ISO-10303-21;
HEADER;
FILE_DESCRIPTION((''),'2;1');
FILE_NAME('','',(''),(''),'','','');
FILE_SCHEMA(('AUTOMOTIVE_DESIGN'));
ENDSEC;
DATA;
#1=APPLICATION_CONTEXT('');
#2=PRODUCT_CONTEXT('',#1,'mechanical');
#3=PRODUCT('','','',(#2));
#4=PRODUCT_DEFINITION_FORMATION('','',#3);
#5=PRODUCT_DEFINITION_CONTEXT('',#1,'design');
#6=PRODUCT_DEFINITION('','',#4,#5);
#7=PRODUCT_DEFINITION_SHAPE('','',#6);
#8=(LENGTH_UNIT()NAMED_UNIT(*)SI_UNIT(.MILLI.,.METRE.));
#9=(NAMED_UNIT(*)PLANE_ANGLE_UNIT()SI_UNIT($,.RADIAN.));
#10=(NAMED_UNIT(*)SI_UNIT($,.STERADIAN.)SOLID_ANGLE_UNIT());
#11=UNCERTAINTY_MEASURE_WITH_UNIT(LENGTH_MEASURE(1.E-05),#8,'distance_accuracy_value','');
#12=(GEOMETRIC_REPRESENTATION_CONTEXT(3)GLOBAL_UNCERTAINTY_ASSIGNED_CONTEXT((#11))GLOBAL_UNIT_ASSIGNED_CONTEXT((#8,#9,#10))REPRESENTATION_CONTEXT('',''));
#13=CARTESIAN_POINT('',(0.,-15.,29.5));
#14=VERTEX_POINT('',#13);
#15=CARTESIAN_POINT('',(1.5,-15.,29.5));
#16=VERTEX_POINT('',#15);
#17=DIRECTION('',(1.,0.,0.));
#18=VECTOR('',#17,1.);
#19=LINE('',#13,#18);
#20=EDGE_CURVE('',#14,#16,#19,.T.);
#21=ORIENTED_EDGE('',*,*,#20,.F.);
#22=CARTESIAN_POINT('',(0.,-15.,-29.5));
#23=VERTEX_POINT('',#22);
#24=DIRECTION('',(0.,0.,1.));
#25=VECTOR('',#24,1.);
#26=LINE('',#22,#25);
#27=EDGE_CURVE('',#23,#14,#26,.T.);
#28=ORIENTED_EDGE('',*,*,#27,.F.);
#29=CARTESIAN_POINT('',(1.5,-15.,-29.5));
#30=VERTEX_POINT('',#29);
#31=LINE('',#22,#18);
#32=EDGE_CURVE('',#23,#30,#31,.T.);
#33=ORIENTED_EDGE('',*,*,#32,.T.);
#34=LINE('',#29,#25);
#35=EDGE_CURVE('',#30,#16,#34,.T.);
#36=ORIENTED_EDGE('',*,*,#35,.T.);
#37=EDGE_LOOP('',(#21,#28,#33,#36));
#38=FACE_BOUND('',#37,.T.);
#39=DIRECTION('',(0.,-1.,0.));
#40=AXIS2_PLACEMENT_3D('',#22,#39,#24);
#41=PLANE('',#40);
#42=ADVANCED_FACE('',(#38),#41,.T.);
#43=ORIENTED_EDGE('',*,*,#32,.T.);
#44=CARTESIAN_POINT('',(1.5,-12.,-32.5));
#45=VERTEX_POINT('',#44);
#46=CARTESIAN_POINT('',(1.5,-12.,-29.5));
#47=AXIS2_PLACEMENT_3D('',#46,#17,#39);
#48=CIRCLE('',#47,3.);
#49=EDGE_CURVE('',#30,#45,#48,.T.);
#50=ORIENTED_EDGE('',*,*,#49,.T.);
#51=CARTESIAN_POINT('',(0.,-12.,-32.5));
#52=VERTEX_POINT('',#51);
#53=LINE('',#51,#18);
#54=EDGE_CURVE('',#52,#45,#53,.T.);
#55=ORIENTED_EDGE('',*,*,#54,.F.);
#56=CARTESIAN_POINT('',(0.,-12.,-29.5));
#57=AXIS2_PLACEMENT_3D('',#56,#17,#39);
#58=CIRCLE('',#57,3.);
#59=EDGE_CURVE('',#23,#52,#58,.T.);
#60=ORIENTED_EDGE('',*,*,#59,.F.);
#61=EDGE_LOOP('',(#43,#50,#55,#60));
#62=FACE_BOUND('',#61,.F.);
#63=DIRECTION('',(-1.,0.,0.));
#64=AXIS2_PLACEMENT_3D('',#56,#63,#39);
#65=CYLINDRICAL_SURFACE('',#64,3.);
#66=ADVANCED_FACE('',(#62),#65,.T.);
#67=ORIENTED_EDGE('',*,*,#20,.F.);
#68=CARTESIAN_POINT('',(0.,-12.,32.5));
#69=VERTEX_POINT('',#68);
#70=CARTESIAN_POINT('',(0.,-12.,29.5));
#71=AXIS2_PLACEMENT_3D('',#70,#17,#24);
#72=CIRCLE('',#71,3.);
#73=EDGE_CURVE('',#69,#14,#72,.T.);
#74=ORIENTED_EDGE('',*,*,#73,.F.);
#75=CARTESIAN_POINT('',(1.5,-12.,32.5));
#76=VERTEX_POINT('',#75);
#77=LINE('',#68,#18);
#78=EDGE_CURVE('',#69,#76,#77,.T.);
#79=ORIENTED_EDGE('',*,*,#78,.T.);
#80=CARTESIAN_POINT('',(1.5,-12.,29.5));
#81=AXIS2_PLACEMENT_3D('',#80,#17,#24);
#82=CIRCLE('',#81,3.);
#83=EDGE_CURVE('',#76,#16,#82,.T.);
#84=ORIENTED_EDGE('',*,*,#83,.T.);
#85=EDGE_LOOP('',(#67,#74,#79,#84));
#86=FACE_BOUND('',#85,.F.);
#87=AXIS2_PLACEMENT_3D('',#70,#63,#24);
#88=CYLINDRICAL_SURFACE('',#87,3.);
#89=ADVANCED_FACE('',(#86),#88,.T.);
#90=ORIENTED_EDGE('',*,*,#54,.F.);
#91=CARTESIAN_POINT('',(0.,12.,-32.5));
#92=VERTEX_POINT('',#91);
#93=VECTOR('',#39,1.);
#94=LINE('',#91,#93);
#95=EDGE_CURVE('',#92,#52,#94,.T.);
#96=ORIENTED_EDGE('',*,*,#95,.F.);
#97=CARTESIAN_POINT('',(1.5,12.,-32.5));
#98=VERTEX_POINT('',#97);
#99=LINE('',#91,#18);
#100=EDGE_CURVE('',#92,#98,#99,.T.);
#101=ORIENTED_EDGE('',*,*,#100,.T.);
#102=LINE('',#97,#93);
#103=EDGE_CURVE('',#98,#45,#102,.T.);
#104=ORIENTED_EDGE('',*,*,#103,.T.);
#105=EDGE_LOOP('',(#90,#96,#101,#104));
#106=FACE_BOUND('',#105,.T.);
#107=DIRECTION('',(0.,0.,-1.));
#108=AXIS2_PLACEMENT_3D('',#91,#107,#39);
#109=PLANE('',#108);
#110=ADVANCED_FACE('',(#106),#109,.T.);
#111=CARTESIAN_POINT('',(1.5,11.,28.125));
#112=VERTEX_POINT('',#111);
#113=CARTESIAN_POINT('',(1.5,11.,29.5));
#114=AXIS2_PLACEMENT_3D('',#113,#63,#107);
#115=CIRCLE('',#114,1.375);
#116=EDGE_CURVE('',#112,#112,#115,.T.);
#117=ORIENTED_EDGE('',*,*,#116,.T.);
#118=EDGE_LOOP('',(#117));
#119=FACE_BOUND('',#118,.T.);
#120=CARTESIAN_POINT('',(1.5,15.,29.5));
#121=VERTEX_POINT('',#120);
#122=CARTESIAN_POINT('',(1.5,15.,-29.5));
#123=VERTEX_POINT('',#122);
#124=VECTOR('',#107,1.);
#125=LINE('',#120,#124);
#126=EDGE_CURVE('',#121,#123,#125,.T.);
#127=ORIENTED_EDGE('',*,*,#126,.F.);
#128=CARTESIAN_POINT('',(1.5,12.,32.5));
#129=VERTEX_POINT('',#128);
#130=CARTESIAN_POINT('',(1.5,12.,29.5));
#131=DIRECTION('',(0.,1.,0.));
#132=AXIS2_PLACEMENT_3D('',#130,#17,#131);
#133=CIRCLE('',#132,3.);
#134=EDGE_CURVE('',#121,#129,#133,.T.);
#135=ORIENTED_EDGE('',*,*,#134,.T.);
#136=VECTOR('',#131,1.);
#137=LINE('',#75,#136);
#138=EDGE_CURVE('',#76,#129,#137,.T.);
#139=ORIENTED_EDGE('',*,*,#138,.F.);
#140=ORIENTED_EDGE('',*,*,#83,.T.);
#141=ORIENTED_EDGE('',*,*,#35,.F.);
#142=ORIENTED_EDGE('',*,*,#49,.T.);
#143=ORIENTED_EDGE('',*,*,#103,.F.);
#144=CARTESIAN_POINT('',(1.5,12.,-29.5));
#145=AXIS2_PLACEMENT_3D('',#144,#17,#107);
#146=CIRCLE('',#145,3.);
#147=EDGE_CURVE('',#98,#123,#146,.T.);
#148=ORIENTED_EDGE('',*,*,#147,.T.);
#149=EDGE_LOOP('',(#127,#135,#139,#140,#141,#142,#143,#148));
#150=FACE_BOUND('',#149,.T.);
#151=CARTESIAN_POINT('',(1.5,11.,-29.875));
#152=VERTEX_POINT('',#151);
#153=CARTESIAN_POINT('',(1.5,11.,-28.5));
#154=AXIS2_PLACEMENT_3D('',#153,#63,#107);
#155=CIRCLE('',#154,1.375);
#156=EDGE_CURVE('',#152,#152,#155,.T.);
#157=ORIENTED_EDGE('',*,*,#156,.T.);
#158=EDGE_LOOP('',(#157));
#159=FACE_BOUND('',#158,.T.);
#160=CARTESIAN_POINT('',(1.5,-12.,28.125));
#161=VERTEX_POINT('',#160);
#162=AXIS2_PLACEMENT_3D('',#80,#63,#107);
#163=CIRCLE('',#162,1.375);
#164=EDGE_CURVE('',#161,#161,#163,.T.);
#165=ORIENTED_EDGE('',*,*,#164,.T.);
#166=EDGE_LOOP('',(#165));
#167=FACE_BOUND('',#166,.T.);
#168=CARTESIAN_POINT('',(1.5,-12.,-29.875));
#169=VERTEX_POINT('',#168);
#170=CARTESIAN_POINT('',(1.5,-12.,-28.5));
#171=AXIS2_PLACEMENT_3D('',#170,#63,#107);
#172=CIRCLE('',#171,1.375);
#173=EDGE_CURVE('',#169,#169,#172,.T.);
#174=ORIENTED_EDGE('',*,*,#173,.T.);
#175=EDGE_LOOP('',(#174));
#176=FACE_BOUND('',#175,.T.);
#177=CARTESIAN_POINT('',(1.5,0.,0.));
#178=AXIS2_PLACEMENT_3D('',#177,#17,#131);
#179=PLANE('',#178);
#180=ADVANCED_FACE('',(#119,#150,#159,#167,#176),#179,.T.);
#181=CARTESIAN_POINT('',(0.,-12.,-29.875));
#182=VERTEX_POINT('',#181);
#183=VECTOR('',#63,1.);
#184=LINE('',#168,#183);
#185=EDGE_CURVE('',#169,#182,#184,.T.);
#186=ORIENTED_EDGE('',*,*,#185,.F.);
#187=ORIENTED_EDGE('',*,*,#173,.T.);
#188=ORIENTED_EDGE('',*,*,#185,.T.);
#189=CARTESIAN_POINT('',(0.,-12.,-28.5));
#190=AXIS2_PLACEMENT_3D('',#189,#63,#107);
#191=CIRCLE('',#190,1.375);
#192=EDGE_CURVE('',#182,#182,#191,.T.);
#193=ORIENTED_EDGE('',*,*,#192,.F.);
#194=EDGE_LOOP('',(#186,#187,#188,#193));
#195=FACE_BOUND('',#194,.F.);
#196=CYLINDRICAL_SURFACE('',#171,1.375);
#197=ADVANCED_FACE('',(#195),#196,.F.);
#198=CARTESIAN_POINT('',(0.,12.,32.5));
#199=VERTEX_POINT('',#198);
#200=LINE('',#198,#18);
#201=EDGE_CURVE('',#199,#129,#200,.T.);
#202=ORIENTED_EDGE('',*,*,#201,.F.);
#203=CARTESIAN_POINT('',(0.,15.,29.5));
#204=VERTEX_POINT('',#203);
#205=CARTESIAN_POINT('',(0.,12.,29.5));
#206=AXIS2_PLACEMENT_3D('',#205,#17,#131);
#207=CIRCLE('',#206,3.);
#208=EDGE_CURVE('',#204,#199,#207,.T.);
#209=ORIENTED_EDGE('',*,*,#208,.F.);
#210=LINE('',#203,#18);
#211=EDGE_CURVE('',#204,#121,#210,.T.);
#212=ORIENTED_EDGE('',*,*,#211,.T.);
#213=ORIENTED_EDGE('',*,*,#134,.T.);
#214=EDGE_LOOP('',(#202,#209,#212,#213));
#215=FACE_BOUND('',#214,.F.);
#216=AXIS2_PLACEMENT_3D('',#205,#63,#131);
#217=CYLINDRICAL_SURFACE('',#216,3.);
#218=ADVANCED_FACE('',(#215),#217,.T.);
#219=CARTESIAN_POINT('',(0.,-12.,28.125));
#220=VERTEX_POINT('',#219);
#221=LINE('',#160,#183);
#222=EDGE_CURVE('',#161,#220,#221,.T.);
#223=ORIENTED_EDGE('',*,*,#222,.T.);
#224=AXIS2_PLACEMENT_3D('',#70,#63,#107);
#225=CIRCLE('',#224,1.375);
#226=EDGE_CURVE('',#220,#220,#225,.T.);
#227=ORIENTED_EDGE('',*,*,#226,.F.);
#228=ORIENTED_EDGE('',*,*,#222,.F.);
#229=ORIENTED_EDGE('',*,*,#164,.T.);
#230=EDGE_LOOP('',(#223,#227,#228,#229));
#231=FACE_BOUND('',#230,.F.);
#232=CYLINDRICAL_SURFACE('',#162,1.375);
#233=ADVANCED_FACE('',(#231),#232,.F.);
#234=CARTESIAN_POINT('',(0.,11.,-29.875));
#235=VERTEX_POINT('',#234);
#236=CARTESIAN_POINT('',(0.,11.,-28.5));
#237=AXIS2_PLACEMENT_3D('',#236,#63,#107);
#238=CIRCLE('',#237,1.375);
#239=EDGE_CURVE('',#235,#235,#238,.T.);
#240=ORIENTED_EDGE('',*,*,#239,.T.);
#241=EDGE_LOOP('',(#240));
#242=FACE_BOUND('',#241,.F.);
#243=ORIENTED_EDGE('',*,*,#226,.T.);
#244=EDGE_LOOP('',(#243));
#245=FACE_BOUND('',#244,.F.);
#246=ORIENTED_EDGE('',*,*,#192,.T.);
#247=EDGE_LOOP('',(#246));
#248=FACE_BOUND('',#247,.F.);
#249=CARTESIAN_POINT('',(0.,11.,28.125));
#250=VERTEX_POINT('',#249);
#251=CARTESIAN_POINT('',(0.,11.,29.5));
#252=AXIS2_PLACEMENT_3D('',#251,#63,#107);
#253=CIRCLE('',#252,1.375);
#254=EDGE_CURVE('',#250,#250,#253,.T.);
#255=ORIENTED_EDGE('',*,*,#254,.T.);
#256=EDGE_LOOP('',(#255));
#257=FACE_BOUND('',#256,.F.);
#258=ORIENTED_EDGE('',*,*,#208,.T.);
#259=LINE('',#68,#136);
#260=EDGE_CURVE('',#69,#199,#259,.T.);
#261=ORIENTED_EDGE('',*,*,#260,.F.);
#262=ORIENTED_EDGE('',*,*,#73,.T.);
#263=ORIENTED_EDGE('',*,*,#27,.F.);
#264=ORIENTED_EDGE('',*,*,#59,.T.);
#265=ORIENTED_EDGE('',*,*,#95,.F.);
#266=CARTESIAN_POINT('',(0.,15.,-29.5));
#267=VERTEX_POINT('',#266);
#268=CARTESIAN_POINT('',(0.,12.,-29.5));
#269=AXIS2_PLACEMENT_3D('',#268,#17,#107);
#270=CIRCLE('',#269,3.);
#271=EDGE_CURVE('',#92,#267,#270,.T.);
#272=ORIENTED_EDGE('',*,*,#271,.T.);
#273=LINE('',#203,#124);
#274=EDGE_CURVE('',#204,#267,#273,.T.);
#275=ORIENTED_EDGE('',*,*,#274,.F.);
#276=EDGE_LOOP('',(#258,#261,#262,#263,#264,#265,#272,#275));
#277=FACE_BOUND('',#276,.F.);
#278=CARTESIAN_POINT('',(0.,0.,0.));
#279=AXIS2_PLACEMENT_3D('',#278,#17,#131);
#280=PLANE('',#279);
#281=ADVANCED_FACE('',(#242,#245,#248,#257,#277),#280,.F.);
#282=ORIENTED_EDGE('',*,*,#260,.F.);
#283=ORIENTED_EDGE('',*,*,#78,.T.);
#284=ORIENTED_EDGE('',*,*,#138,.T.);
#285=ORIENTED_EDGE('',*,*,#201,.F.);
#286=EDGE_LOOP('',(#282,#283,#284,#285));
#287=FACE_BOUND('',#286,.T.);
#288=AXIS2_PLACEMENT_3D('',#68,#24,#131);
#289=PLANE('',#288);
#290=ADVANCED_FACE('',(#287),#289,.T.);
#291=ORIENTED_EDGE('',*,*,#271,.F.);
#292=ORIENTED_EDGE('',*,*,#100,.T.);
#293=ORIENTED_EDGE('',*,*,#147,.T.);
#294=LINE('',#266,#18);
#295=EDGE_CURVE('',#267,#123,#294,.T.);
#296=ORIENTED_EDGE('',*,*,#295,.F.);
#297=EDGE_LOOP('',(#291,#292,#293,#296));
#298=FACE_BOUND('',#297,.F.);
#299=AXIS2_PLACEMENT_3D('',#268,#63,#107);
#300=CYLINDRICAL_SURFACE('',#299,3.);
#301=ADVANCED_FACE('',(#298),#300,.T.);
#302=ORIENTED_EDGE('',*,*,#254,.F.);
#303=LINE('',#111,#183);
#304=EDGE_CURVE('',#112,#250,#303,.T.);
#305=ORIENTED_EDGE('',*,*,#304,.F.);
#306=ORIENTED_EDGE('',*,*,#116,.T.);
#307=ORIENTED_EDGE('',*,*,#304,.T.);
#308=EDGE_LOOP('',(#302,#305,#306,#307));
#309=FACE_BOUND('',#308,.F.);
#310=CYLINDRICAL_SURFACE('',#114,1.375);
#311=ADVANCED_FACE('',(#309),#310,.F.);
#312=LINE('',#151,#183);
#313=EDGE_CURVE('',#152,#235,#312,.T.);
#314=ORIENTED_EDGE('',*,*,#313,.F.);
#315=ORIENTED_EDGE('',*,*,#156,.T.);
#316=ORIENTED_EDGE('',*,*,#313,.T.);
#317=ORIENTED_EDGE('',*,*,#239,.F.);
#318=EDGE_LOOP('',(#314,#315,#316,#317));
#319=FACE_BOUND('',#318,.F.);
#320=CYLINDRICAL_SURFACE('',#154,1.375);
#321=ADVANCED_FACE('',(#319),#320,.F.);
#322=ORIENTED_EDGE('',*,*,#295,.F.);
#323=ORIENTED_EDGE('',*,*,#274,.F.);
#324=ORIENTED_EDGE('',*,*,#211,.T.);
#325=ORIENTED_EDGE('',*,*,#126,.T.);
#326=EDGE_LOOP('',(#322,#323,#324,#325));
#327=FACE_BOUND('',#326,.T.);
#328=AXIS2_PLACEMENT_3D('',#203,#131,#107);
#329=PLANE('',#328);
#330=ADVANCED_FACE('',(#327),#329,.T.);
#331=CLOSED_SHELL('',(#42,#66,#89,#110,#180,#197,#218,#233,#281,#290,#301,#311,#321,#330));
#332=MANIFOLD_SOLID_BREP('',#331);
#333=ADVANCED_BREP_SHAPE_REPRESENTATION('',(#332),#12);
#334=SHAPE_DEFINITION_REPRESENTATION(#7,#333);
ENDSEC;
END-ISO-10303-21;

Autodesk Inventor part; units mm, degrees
ref_plane "YZ Plane" through (0, 0, 0) normal (1, 0, 0) x (0, 1, 0)
ref_plane "XZ Plane" through (0, 0, 0) normal (0, 1, 0) x (-1, 0, 0)
ref_plane "XY Plane" through (0, 0, 0) normal (0, 0, 1) x (1, 0, 0)
sketch "Sketch1" plane through (0, 0, 0) normal (1, 0, 0) x (0, 1, 0)
  line L0 (-12, 32.5) -> (12, 32.5)
  line L1 (15, 29.5) -> (15, -29.5)
  line L2 (12, -32.5) -> (-12, -32.5)
  line L3 (-15, -29.5) -> (-15, 29.5)
  line L4 (-15, 32.5) -> (15, -32.5) construction
  line L5 (15, 32.5) -> (-15, -32.5) construction
  arc A0 (-12, 32.5) -> (-15, 29.5) centre (-12, 29.5) ccw
  arc A1 (15, 29.5) -> (12, 32.5) centre (12, 29.5) ccw
  arc A2 (12, -32.5) -> (15, -29.5) centre (12, -29.5) ccw
  arc A3 (-15, -29.5) -> (-12, -32.5) centre (-12, -29.5) ccw
  point P0 (0, 0)
  dimension "d0" = 30
  dimension "d1" = 65
  dimension "d22" = 3
extrude "Extrusion1" add sketch "Sketch1" along normal blind 1.5
fillet "Fillet1" [suppressed]
sketch "Sketch2" plane through (1.5, 0, 0) normal (1, 0, 0) x (0, 0, -1)
  line L0 (29.5, 15) -> (-29.5, 15) projected
  line L1 (-32.5, 12) -> (-32.5, -12) projected
  arc A0 (-32.5, -12) -> (-29.5, -15) centre (-29.5, -12) ccw projected
  point P0 (0, 0)
  point P1 (-29.5, 11)
  point P2 (32, 15)
  point P3 (-32, 15)
  point P4 (-33, 14)
  point P5 (-33, -14)
  point P6 (28.5, 11)
  point P7 (28.5, -12)
  dimension "d5" = 4
  dimension "d6" = 3
  dimension "d9" = 58
  dimension "d12" = 23
hole "Hole1" at (1.5, 11, 29.5) at (1.5, 11, -28.5) at (1.5, -12, 29.5) at (1.5, -12, -28.5) direction (-1, 0, 0) diameter 2.75 end through all
properties part number "RPI_Zero"
